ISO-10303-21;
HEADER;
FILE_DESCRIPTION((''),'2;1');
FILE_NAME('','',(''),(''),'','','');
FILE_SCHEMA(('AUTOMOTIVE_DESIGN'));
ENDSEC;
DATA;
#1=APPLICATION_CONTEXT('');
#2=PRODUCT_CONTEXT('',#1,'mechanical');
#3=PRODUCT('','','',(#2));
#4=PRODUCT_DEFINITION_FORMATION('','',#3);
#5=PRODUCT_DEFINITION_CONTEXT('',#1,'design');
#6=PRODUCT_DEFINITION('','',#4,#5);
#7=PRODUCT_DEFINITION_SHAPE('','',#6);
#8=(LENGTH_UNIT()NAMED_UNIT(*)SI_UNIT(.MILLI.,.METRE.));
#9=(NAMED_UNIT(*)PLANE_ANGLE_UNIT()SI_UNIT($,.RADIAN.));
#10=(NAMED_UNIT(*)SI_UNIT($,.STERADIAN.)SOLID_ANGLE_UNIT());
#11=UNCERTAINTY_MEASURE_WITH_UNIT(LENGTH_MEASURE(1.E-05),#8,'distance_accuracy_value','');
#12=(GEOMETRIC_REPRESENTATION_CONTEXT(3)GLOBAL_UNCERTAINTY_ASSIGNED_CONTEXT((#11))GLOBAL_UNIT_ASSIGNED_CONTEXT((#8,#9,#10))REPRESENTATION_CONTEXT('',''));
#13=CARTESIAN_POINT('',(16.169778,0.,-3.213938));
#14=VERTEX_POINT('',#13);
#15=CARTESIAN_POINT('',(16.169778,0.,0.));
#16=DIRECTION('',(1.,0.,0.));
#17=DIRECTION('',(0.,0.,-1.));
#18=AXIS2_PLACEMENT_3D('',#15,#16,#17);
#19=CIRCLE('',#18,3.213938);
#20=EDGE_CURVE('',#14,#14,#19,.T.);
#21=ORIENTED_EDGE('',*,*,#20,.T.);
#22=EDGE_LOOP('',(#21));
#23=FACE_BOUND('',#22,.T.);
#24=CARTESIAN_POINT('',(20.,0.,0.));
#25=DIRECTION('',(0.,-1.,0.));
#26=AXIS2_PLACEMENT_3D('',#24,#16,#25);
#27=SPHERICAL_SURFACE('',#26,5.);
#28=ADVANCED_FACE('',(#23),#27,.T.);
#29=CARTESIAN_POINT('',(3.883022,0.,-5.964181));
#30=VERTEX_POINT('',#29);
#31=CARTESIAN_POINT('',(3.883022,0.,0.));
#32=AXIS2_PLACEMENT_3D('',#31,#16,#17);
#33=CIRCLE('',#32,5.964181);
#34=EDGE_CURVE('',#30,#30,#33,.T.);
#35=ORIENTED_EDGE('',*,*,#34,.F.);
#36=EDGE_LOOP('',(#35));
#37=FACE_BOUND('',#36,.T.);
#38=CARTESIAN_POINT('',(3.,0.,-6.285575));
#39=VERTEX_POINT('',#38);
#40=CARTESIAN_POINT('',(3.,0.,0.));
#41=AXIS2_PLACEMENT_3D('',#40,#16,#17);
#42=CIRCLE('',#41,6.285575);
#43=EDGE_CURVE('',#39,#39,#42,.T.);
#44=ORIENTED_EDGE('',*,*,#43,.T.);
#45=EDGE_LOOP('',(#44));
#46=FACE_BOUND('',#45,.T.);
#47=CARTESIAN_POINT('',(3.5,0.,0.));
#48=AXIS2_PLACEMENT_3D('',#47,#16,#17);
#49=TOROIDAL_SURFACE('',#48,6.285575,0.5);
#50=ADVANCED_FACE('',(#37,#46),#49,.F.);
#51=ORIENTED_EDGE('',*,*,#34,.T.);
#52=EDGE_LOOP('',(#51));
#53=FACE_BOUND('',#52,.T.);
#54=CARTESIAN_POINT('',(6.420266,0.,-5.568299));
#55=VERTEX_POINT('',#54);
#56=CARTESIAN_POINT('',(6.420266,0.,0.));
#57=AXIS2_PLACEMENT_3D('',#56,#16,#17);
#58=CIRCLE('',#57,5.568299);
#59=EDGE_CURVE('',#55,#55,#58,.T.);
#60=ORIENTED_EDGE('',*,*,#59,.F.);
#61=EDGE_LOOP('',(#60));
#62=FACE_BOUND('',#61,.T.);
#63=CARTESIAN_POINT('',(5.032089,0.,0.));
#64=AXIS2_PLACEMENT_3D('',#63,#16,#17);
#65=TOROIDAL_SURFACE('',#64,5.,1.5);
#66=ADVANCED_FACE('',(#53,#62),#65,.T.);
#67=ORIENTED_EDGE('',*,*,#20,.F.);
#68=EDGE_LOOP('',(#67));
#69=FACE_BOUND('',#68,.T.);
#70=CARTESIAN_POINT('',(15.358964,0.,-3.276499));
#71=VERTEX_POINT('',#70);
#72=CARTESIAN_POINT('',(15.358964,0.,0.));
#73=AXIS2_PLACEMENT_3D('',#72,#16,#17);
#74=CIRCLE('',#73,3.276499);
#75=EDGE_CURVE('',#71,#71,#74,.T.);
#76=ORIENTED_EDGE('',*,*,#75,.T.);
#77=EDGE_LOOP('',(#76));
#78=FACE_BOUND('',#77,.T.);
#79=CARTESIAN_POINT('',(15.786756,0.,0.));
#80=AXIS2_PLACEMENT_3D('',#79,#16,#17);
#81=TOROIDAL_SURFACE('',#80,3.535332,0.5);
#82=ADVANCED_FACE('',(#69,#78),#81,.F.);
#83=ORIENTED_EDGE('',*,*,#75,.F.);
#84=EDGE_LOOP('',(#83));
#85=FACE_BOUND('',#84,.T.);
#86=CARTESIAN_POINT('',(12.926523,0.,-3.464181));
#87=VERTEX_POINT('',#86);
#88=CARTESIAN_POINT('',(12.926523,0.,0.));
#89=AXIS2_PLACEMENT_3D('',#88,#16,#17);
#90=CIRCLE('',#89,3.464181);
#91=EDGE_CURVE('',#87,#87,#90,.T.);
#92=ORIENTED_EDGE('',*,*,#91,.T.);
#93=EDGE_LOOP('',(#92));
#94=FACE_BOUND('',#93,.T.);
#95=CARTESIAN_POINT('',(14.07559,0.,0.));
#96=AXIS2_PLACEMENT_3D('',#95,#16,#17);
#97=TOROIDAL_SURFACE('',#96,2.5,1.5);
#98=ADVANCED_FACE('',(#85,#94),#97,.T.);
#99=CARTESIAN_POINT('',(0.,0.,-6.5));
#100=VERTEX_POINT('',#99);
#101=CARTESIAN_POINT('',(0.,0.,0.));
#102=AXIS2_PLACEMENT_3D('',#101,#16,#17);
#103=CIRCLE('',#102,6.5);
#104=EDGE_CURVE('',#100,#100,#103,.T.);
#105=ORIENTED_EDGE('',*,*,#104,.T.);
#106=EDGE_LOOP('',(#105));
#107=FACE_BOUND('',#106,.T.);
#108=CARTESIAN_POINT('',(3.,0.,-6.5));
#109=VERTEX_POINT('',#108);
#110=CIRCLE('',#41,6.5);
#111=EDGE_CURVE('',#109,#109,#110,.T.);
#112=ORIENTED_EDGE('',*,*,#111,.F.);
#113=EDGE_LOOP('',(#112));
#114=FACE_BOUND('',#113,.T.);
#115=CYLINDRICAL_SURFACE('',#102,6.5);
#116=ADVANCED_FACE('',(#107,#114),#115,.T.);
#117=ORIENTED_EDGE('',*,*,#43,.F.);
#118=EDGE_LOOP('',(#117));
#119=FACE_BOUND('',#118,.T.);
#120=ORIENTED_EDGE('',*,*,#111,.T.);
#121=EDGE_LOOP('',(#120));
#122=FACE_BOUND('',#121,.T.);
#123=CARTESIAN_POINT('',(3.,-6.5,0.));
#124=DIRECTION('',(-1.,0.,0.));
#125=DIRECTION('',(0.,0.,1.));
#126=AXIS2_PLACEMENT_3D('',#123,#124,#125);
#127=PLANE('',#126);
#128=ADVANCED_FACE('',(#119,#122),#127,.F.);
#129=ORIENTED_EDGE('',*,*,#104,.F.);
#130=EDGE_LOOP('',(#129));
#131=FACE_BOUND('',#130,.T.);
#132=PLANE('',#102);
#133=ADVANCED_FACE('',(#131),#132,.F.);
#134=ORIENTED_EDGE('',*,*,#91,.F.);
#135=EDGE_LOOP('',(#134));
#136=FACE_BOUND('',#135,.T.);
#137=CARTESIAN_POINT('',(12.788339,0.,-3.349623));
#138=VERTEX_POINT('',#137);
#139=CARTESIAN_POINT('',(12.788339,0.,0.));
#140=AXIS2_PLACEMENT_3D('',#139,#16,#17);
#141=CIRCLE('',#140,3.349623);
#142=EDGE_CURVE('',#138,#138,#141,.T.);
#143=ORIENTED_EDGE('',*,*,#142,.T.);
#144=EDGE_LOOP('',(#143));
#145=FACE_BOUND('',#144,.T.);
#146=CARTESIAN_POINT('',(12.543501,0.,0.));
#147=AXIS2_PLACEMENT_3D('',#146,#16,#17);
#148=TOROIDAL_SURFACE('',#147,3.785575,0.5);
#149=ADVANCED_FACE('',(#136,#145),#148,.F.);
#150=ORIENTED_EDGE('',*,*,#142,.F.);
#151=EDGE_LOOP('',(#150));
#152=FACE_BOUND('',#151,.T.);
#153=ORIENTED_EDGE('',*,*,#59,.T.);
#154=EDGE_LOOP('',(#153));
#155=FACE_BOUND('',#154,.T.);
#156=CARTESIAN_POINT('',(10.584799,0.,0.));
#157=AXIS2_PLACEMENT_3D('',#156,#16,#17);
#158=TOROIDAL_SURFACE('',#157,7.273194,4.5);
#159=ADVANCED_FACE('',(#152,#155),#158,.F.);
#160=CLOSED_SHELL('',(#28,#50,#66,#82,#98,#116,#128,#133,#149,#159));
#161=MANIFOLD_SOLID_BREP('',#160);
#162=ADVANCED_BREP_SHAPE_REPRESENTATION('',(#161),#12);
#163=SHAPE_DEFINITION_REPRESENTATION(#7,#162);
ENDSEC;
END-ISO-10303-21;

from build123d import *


with BuildPart() as part:
    # Sketch1 → Revolve1 (revolve)
    with BuildSketch(Plane.XY):
        with BuildLine():
            Line((0, 0), (0, -6.5))
            Line((0, -6.5), (3, -6.5))
            Line((3, -6.5), (3, -6.285575219))
            ThreePointArc((3, -6.285575219), (3.328989928, -5.815728909), (3.883022222, -5.964181415))
            ThreePointArc((3.883022222, -5.964181415), (5.263334015, -6.482068045), (6.420266384, -5.568298544))
            ThreePointArc((6.420266384, -5.568298544), (9.10425727, -3.023724025), (12.788338772, -3.34962285))
            ThreePointArc((12.788338772, -3.34962285), (12.862613771, -3.400650496), (12.926523227, -3.464181415))
            ThreePointArc((12.926523227, -3.464181415), (14.190984062, -3.995554809), (15.358964145, -3.27649889))
            ThreePointArc((15.358964145, -3.27649889), (15.748290839, -3.036813584), (16.169777784, -3.213938048))
            ThreePointArc((16.169777784, -3.213938048), (21.710100717, -4.698463104), (25, 0))
            Line((25, 0), (0, 0))
        make_face()
    revolve(axis=Axis((0, 0, 0), (-1, 0, 0)))


solid = part.part
